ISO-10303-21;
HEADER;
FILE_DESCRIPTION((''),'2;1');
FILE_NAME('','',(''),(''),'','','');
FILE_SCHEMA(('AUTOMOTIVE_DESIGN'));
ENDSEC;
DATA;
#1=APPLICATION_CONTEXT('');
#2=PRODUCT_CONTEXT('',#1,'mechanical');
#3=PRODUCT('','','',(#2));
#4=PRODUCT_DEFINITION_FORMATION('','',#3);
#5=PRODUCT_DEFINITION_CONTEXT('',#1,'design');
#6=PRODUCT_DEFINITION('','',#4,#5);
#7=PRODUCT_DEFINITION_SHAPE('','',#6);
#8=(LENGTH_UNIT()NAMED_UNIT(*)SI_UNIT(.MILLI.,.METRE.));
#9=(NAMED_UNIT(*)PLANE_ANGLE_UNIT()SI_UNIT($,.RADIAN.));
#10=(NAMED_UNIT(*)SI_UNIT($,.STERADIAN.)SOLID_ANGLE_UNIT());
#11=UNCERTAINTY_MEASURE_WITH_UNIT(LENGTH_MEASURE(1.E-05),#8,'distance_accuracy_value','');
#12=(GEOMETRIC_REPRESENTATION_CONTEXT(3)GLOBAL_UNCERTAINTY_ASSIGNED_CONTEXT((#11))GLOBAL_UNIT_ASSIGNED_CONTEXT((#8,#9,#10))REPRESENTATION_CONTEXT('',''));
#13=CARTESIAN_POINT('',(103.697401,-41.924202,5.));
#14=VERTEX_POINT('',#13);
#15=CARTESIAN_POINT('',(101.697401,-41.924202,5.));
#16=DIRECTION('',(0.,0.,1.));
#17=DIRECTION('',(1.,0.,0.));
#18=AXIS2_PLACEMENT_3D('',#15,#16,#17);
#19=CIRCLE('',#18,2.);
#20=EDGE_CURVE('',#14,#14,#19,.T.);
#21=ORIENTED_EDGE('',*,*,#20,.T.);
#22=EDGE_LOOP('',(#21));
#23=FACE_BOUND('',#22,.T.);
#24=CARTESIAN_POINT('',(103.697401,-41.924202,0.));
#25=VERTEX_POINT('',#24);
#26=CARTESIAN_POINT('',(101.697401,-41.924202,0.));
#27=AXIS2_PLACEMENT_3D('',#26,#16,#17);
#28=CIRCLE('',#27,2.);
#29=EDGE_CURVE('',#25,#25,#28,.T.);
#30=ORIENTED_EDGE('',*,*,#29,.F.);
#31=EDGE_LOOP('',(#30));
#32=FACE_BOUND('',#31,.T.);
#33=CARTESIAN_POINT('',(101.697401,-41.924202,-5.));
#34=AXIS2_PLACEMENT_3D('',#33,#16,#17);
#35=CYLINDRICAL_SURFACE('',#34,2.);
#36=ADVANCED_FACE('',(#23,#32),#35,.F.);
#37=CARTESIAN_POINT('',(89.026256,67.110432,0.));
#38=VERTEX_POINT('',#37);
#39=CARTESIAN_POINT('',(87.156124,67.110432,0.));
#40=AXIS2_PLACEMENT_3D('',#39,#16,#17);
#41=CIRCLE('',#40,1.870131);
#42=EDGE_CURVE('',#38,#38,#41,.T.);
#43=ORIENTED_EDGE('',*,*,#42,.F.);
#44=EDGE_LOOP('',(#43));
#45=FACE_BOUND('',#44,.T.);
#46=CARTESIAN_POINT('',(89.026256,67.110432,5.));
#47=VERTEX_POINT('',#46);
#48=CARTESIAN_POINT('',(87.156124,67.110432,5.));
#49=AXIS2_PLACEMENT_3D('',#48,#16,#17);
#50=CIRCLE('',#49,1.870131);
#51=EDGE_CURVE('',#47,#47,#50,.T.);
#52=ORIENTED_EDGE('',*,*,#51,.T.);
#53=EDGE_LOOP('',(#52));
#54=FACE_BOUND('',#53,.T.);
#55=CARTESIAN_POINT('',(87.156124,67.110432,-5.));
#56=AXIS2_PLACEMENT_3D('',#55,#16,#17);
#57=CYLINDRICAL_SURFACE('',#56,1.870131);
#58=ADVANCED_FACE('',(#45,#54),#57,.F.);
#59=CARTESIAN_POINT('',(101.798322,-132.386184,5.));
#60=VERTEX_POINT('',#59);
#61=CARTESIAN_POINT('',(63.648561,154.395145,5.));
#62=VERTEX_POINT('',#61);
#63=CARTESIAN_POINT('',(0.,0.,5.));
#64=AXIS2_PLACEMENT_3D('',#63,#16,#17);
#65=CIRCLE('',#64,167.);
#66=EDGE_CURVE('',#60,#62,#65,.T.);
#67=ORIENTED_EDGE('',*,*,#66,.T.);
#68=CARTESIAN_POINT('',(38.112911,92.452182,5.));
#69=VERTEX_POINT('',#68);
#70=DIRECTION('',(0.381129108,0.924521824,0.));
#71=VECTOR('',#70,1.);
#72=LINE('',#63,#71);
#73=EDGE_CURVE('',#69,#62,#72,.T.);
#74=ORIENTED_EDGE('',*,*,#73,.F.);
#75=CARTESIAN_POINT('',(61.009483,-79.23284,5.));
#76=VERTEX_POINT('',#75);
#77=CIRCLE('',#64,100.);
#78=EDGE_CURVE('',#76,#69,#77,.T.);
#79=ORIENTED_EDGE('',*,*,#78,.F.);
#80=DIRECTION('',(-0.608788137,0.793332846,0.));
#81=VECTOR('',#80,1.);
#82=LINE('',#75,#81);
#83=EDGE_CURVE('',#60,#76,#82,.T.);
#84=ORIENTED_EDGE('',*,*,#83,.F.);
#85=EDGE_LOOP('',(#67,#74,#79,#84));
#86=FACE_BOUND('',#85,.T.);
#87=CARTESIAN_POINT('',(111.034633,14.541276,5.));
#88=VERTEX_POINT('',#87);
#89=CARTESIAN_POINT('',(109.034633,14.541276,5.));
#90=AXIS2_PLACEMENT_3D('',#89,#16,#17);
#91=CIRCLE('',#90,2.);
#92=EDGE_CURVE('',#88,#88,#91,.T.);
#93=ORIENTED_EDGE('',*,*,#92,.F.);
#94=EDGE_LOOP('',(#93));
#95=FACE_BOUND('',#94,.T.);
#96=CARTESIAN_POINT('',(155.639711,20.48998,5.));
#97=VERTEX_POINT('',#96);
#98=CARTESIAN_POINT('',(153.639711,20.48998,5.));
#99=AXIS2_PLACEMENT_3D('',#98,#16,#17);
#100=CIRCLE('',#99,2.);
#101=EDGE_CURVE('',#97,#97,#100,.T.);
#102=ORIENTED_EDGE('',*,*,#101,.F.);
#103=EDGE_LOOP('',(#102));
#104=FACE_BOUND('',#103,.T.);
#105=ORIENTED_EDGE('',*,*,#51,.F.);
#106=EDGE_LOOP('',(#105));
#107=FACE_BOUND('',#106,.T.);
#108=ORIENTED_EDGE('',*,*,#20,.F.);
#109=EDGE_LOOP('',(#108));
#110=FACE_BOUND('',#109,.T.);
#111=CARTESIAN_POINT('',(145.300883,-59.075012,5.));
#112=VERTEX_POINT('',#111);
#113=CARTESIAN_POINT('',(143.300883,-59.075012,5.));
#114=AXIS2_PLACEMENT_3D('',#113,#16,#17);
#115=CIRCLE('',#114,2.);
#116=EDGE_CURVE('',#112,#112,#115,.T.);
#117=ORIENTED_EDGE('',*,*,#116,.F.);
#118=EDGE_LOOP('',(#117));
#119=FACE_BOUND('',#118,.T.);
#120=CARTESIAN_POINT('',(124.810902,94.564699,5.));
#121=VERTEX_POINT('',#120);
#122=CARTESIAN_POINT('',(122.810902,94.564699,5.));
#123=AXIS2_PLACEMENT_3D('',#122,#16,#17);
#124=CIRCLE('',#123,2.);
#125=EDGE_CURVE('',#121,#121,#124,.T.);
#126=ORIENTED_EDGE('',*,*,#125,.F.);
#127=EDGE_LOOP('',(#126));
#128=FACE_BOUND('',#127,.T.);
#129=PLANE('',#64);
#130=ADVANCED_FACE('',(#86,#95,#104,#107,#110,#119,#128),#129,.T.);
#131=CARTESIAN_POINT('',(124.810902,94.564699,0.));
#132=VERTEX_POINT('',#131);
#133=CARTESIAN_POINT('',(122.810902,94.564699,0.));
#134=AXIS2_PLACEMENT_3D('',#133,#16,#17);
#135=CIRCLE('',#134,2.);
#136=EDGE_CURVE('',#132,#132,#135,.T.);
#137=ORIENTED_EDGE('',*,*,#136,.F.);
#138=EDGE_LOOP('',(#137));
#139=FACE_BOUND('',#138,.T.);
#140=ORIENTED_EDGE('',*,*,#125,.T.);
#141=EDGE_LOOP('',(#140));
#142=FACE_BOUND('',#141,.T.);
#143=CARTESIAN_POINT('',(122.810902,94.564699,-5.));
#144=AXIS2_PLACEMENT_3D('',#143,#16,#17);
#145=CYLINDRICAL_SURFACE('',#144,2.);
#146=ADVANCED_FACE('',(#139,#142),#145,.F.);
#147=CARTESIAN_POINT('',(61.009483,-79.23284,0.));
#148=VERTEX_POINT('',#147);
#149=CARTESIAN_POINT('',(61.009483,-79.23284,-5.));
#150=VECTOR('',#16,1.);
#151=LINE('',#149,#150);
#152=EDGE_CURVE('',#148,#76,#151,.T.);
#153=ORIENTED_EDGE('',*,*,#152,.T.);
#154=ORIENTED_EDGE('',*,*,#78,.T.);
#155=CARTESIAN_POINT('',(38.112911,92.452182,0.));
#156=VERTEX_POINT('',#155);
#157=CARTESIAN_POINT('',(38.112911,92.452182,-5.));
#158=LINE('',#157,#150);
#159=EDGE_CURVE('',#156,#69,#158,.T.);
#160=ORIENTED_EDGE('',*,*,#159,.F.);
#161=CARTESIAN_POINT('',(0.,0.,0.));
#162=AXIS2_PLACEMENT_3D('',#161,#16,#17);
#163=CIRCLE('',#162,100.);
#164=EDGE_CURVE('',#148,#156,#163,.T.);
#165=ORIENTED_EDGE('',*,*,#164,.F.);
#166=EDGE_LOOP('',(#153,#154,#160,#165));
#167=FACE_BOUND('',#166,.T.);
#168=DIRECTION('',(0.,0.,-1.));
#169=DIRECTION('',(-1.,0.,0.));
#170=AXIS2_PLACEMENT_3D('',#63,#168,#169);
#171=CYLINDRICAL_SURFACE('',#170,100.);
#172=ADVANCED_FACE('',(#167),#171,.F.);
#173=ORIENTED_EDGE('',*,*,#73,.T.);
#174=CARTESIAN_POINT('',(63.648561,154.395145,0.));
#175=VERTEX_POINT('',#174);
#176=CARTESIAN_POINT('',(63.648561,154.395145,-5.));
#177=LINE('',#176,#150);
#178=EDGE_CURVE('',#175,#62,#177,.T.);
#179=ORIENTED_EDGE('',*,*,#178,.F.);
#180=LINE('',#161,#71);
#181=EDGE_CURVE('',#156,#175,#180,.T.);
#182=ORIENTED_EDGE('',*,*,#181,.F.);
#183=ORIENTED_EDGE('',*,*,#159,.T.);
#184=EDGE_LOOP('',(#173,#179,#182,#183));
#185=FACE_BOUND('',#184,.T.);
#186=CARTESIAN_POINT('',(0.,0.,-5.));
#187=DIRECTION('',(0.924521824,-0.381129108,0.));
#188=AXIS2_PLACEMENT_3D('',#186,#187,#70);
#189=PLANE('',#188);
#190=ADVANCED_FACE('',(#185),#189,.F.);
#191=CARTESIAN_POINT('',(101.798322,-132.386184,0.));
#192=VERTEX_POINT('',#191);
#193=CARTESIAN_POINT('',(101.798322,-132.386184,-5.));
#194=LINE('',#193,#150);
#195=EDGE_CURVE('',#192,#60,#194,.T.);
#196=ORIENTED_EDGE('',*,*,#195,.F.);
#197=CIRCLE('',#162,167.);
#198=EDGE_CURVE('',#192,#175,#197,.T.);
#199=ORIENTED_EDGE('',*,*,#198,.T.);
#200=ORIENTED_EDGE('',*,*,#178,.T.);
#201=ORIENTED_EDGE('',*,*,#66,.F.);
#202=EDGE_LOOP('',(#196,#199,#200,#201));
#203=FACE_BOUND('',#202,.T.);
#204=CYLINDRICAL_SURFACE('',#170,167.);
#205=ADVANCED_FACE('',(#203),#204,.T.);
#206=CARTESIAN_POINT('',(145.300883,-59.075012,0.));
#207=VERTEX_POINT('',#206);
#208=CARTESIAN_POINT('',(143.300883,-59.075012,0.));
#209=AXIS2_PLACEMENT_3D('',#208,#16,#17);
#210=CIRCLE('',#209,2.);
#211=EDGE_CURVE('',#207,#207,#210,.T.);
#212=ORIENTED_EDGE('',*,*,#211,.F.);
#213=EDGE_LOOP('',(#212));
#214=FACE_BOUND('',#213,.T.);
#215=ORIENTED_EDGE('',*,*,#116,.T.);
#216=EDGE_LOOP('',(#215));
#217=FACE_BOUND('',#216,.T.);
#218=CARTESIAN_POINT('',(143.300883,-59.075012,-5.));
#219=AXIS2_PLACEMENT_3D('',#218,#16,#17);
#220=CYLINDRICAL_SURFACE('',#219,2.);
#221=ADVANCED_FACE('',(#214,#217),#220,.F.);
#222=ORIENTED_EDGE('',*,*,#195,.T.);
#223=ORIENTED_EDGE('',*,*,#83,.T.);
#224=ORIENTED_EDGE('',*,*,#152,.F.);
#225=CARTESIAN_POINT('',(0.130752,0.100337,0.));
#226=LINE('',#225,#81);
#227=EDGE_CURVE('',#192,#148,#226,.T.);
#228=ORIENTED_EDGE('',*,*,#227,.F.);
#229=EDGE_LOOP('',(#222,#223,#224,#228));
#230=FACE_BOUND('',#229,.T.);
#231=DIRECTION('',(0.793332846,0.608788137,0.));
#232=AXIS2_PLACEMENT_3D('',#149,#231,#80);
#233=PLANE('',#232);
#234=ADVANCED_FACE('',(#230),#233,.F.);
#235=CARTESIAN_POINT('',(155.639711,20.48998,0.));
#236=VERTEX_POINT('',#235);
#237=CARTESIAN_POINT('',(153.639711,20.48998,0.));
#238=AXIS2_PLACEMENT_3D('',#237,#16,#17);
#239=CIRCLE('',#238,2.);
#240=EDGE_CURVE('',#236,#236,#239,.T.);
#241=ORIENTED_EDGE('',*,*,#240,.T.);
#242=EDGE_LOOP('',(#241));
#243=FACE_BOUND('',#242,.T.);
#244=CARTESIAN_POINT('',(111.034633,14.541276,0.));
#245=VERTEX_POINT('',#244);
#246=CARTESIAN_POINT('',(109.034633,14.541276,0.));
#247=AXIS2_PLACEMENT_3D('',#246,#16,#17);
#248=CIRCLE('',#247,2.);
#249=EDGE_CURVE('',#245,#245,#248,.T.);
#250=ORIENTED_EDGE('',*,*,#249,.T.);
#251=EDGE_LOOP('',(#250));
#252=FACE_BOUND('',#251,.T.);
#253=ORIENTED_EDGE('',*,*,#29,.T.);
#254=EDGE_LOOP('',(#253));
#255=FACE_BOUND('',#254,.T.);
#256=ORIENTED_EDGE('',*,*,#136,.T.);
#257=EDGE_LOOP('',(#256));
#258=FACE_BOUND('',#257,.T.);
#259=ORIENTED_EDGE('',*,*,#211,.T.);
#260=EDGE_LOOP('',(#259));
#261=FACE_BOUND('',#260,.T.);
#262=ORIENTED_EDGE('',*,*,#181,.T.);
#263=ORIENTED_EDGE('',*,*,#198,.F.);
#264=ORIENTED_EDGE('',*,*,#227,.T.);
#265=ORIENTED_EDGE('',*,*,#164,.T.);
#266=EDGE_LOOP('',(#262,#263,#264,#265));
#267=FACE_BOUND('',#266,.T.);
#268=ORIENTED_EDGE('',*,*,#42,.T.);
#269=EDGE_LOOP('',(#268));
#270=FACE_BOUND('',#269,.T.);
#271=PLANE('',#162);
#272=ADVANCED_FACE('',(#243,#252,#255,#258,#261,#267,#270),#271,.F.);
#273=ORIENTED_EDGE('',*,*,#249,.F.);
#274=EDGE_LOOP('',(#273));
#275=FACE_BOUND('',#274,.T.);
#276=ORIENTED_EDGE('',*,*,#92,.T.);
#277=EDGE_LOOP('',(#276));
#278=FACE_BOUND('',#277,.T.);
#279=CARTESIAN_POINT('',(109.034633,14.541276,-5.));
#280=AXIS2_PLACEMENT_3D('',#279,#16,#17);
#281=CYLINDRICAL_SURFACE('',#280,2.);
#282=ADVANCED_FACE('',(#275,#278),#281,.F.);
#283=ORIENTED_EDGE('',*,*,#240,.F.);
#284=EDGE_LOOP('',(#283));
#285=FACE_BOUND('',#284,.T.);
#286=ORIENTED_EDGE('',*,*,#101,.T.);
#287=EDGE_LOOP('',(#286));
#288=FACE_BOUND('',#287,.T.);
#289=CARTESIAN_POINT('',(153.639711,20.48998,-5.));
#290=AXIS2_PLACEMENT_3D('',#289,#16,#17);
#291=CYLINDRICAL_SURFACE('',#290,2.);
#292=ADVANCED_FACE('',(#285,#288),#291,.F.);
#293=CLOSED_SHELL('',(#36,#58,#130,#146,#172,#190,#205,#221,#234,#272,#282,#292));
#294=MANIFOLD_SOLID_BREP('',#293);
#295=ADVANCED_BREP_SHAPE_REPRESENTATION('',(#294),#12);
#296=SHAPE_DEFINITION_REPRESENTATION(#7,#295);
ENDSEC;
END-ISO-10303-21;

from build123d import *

# Parameters (mm, degrees)
BOSS_EXTRU_2_DEPTH      = 5
ENL_V_MAT_EXTRU_1_DEPTH = 10
ESQUISSE3_W             = 70.825033907
ESQUISSE3_H             = 52.172348309
ENL_V_MAT_EXTRU_2_DEPTH = 10
ESQUISSE4_R             = 2
ESQUISSE4_R_2           = 1.87013138
ENL_V_MAT_EXTRU_3_DEPTH = 10
ENL_V_MAT_EXTRU_4_DEPTH = 10


with BuildPart() as part:
    # Esquisse1 → Boss.-Extru.2 (new body)
    with BuildSketch(Plane.XY):
        with BuildLine():
            Line((-2, 166.988023523), (-2, 99.979998))
            ThreePointArc((-2, 99.979998), (100, 0), (-2, -99.979998))
            Line((-2, -99.979998), (-2, -166.988023523))
            ThreePointArc((-2, -166.988023523), (167, 0), (-2, 166.988023523))
        make_face()
    extrude(amount=BOSS_EXTRU_2_DEPTH)

    # Esquisse2 → Enlèv. mat.-Extru.1 (cut)
    with BuildSketch(Plane.XY.offset(5)):
        Polygon((29.390638032, 43.425593165), (38.112910781, 92.452182407), (63.648561005, 154.395144619), (68.028776979, 172.275239399), (-24.955464007, 192.914301625), (-14.988060504, 82.801476905), align=None)
        Polygon((56.192163409, 19.645406226), (29.390638032, 43.425593165), (-11.148286352, -184.437631398), (102.415881909, -156.025065414), (102.415881909, -133.007210905), (53.907034164, -84.226074749), align=None)
    extrude(amount=-ENL_V_MAT_EXTRU_1_DEPTH, mode=Mode.SUBTRACT)

    # Esquisse3 → Enlèv. mat.-Extru.2 (cut)
    with BuildSketch(Plane.XY.offset(5)):
        with Locations((-10.008332903, -121.270932698)):
            Rectangle(ESQUISSE3_W, ESQUISSE3_H)
    extrude(amount=-ENL_V_MAT_EXTRU_2_DEPTH, mode=Mode.SUBTRACT)

    # Esquisse4 → Enlèv. mat.-Extru.3 (cut)
    with BuildSketch(Plane.XY.offset(5)):
        with Locations((109.034633389, 14.54127648)):
            Circle(ESQUISSE4_R)
        with Locations((101.697400647, -41.92420186)):
            Circle(ESQUISSE4_R)
        with Locations((87.156124167, 67.11043153)):
            Circle(ESQUISSE4_R_2)
        with Locations((122.810902236, 94.564698974)):
            Circle(ESQUISSE4_R)
        with Locations((143.30088273, -59.075011711)):
            Circle(ESQUISSE4_R)
        with Locations((153.639710685, 20.489980494)):
            Circle(ESQUISSE4_R)
    extrude(amount=-ENL_V_MAT_EXTRU_3_DEPTH, mode=Mode.SUBTRACT)

    # Esquisse5 → Enlèv. mat.-Extru.4 (cut)
    with BuildSketch(Plane.XY.offset(5)):
        Polygon((61.009483209, -79.232840152), (101.798321541, -132.386184065), (46.643469874, -98.897205978), (43.215654561, -74.196784885), (51.84018638, -72.999910462), align=None)
    extrude(amount=-ENL_V_MAT_EXTRU_4_DEPTH, mode=Mode.SUBTRACT)


solid = part.part
